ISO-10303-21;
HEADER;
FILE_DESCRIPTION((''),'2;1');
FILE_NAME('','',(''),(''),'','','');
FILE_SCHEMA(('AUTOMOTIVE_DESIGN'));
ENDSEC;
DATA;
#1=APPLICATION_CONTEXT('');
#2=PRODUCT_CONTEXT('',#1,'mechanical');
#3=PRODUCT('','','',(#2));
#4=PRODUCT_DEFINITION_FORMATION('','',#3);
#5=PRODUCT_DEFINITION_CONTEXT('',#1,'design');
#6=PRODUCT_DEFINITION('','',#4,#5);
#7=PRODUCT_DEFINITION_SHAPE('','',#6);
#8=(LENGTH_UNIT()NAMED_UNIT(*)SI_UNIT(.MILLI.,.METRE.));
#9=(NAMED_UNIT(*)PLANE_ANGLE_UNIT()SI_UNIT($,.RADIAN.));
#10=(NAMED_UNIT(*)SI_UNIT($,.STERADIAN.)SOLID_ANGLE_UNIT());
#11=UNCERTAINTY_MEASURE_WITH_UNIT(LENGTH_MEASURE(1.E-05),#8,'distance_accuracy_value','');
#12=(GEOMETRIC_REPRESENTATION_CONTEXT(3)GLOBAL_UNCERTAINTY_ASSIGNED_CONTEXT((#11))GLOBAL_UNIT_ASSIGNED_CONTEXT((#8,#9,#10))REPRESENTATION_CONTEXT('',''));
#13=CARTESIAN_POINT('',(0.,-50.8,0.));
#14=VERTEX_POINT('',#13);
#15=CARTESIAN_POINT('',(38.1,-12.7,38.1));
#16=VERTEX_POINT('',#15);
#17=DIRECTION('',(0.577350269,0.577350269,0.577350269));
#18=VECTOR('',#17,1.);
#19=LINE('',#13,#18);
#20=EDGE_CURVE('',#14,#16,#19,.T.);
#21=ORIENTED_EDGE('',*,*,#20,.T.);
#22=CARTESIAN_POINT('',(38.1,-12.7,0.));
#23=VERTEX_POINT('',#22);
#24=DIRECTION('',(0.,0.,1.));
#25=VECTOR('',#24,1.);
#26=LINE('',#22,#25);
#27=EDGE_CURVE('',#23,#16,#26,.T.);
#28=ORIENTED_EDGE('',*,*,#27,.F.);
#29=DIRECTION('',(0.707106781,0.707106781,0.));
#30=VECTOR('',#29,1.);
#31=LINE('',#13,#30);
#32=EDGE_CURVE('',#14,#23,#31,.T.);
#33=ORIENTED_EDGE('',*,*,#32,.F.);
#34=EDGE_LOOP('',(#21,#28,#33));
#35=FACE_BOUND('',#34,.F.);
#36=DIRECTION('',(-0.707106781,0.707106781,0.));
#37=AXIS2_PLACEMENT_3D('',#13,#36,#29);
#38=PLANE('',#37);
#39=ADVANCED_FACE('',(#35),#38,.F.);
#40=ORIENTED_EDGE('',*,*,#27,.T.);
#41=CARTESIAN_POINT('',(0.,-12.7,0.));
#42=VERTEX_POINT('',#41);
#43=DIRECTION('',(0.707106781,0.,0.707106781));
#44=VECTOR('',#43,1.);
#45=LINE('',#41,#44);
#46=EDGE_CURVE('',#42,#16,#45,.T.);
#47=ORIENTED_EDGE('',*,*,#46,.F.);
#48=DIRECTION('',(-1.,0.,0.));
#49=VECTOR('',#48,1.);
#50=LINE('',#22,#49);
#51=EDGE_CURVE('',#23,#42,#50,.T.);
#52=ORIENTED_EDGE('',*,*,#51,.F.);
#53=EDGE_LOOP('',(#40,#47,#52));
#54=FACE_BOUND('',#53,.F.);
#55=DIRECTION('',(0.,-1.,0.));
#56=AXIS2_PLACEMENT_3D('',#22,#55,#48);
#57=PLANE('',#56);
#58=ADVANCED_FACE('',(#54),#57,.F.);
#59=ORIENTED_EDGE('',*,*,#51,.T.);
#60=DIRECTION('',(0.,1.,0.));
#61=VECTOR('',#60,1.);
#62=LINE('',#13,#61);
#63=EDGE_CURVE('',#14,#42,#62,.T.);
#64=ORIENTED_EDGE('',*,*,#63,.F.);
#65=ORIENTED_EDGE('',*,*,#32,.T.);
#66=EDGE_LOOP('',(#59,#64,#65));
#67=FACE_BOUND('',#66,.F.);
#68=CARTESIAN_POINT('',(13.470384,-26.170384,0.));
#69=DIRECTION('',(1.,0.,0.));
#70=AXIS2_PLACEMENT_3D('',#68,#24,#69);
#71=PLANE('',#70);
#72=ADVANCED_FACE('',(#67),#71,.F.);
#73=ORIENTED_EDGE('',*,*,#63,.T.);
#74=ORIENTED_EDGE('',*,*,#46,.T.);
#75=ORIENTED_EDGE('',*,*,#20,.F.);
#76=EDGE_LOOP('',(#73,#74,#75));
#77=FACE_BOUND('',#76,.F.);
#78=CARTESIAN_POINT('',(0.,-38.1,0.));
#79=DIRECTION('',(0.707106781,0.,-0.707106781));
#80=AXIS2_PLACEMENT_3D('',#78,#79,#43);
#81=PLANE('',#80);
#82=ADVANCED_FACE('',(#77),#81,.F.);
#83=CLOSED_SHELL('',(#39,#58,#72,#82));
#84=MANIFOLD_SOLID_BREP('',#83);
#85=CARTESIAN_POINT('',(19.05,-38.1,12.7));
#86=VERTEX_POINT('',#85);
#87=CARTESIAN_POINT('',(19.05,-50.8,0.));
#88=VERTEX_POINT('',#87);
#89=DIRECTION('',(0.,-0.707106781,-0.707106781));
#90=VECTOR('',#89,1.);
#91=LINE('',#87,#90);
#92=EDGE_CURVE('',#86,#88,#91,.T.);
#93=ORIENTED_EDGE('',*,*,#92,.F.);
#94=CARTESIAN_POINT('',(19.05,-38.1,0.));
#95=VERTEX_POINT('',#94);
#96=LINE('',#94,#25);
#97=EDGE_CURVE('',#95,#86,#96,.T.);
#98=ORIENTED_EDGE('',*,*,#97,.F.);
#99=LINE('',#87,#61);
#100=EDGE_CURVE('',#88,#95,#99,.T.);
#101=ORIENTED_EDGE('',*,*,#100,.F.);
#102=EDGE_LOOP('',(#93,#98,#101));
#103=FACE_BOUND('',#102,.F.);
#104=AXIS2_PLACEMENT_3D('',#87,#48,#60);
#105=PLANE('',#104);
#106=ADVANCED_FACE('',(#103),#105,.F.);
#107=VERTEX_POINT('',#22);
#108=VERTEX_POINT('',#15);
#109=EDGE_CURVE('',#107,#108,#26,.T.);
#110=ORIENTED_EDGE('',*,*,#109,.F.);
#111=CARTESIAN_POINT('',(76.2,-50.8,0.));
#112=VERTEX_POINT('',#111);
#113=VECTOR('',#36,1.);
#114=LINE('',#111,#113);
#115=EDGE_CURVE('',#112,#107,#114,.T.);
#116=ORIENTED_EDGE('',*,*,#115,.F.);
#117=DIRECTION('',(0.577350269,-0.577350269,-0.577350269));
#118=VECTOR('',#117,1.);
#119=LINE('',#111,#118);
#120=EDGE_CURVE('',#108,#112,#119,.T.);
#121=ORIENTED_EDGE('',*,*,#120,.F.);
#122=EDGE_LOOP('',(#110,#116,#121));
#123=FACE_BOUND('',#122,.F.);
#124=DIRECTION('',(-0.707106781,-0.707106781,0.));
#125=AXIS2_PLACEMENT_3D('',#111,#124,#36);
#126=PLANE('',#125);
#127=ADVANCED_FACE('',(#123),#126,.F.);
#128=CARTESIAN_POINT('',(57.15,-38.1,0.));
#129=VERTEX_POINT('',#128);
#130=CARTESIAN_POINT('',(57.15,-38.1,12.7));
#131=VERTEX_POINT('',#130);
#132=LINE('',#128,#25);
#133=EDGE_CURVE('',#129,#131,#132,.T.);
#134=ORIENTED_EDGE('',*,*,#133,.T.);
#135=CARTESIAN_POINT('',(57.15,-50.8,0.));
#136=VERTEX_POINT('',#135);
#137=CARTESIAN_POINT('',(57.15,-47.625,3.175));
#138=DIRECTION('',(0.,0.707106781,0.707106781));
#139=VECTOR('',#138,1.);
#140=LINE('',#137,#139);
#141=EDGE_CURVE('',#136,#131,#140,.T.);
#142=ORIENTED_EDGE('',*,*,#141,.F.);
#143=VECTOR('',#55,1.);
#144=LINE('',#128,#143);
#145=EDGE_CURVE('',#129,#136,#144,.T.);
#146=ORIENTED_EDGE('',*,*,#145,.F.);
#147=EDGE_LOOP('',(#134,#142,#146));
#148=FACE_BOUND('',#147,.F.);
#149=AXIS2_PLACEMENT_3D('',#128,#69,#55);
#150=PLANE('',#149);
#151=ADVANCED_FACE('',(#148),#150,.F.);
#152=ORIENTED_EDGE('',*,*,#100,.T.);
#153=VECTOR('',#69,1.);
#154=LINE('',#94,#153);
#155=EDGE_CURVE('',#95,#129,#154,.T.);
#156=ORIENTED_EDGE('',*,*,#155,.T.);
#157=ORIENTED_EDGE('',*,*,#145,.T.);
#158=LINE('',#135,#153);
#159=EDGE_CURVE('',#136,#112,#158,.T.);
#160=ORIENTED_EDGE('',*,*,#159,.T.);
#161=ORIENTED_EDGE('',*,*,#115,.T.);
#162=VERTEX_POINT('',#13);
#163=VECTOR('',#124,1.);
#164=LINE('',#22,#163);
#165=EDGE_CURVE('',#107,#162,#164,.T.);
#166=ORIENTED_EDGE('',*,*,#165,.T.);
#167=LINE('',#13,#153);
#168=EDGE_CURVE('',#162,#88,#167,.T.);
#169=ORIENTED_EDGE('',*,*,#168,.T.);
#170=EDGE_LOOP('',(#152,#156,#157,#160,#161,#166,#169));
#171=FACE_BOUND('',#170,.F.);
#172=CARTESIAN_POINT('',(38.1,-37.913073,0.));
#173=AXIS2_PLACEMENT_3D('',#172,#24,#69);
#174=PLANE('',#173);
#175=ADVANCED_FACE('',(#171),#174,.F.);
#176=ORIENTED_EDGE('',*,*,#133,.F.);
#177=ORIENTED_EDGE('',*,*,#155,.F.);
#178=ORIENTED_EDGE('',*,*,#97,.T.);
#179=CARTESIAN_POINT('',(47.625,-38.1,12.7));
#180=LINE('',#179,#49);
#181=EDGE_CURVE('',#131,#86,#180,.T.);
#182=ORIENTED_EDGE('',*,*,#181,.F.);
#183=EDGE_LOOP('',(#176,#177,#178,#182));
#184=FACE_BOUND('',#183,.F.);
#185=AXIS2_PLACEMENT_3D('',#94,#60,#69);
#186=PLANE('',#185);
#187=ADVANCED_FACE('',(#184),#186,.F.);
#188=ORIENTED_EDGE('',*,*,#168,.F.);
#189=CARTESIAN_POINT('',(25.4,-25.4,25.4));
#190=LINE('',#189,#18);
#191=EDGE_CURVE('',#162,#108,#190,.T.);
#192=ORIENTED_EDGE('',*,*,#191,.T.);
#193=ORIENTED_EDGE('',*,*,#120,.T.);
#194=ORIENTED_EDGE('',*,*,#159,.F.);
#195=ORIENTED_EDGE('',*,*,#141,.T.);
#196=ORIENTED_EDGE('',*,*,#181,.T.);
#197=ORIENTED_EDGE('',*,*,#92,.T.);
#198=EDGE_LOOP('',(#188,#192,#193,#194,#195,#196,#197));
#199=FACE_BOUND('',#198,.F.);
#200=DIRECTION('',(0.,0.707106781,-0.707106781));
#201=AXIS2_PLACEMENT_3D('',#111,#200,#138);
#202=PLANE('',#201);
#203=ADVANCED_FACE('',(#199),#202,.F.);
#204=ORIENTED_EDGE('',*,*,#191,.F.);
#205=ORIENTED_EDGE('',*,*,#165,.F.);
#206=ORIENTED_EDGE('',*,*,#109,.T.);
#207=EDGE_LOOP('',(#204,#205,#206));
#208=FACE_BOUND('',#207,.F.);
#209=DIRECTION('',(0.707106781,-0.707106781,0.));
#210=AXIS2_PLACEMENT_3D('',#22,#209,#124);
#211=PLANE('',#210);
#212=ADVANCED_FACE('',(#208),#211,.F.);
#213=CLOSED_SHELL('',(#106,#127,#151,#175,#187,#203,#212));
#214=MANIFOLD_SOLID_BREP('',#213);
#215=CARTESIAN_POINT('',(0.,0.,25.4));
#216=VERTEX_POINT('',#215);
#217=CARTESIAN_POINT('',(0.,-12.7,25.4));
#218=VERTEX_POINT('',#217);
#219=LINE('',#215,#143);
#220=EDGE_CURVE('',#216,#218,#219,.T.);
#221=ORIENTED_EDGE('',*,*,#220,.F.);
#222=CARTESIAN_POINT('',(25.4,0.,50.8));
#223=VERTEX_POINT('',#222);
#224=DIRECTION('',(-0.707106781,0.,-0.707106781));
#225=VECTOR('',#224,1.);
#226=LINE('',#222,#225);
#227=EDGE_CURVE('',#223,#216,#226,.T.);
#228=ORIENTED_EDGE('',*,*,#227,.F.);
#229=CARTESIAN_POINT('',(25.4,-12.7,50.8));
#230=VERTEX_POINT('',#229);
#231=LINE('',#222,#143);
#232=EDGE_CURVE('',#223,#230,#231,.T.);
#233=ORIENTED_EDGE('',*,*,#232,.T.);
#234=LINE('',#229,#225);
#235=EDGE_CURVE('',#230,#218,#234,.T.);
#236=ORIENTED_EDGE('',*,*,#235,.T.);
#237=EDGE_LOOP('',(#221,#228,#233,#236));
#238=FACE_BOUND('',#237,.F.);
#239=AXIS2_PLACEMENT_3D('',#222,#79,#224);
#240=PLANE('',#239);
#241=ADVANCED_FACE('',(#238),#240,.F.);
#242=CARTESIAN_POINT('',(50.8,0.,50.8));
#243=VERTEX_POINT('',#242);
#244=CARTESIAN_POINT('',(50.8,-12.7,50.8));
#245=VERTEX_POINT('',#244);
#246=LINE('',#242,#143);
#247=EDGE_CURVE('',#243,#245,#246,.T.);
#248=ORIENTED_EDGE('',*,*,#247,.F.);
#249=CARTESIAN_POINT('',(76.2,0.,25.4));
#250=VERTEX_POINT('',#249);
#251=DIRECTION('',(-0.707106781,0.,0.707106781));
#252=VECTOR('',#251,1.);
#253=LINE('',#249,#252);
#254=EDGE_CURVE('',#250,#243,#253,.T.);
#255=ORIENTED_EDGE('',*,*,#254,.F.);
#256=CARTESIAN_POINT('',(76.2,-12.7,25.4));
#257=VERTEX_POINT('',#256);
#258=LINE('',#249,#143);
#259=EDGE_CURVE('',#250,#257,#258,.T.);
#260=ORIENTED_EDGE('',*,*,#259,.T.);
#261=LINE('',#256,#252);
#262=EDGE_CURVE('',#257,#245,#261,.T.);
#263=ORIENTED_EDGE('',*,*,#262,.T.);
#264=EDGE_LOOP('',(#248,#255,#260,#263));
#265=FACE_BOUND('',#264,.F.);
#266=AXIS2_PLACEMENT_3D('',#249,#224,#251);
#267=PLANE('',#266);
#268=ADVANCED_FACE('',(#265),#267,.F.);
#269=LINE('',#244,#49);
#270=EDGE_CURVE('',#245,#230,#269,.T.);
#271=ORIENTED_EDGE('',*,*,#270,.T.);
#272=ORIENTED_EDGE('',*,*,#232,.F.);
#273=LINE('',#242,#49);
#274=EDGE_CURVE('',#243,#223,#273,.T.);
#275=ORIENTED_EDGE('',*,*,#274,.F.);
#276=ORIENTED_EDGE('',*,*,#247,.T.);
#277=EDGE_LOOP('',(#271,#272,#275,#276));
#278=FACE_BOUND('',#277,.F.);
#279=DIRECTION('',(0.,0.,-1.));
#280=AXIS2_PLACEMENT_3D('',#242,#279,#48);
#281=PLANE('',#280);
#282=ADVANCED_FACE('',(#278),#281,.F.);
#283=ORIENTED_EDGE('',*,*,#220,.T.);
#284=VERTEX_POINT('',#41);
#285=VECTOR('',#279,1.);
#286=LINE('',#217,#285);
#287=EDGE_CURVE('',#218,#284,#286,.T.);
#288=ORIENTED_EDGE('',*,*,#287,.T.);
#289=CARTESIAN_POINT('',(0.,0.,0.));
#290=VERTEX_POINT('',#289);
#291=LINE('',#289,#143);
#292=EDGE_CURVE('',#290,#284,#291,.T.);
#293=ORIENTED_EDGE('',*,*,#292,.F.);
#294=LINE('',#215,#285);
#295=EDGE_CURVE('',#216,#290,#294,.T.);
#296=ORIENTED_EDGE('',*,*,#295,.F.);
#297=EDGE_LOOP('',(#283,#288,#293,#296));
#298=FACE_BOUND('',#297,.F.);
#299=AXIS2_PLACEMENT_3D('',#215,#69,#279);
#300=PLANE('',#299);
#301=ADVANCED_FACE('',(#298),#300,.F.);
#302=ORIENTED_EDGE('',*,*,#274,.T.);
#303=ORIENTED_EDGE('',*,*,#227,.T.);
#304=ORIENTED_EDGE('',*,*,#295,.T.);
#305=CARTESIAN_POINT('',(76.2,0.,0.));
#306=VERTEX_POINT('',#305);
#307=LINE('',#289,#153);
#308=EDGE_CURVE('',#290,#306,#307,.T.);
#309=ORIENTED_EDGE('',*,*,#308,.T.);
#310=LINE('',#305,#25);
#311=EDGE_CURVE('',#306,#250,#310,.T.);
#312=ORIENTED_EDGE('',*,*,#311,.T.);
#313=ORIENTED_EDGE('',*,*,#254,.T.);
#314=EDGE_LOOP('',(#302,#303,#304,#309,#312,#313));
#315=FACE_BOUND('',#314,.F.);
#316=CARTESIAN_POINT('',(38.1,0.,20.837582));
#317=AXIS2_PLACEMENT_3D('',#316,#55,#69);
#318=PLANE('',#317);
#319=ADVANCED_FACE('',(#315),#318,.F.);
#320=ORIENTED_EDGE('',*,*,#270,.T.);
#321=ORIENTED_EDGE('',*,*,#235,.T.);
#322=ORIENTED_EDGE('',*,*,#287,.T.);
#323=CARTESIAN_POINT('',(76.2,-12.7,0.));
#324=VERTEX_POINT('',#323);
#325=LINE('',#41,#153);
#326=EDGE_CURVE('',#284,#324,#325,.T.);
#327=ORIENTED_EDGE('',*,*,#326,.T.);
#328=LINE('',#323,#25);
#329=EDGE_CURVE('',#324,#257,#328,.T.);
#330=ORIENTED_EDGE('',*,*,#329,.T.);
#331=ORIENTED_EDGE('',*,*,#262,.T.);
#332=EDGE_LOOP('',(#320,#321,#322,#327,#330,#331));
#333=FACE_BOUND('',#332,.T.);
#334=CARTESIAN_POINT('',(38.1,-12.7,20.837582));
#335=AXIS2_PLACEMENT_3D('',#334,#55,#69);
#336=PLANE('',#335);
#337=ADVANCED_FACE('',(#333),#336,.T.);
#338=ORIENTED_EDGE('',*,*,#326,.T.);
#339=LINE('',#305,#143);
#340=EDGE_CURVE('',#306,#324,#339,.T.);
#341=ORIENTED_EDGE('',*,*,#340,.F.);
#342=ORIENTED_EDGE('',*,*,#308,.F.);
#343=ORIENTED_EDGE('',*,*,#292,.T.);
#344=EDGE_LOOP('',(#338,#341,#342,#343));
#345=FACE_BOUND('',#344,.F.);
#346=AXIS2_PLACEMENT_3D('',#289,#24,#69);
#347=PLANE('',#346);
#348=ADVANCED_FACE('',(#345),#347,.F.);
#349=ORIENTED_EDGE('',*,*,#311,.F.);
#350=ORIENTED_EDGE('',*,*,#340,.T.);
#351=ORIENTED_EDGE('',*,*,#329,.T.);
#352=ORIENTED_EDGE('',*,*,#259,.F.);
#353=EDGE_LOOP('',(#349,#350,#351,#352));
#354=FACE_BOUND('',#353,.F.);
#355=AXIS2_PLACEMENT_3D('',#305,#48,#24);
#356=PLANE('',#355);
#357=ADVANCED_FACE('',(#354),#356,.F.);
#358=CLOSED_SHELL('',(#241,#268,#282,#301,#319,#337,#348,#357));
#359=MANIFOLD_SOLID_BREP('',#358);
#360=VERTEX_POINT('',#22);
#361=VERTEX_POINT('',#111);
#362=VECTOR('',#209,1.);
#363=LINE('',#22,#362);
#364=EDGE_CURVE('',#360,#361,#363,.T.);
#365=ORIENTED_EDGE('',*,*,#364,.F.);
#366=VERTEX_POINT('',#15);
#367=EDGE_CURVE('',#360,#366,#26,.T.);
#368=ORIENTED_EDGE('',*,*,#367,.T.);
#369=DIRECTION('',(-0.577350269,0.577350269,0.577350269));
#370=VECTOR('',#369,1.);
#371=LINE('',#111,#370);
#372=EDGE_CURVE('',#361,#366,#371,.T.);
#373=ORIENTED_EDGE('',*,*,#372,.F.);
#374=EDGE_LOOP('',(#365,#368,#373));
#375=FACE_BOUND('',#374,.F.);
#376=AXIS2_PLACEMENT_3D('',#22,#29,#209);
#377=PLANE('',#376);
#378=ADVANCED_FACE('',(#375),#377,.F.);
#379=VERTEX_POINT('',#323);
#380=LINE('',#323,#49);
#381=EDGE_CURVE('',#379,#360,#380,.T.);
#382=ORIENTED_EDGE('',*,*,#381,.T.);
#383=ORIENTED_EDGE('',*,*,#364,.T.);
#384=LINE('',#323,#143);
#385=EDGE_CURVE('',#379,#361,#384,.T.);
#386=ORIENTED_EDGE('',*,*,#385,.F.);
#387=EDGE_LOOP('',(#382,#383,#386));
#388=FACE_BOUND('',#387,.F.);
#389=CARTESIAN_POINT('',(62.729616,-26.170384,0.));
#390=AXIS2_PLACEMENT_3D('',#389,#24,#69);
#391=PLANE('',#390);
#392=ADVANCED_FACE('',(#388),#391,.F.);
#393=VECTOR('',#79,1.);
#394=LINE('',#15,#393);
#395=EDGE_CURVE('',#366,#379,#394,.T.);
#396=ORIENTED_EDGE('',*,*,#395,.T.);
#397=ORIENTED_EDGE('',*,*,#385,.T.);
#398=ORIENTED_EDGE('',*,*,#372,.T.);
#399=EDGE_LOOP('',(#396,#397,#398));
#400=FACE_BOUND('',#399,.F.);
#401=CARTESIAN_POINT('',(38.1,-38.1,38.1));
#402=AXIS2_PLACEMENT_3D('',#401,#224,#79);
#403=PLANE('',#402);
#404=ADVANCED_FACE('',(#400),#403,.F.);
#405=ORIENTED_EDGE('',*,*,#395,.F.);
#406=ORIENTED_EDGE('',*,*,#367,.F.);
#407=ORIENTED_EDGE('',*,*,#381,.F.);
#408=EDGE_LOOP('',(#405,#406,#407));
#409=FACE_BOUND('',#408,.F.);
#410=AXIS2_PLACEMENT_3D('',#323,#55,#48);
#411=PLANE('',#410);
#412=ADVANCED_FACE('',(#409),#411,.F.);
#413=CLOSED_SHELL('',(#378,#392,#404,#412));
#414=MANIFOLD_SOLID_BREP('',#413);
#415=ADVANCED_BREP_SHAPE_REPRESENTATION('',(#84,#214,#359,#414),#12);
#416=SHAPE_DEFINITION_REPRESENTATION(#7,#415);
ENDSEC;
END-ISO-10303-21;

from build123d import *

# Parameters (mm, degrees)
F1_DEPTH       = 12.7
F3_DEPTH       = 38.1
F5_DEPTH       = 76.201
F7_DEPTH       = 38.1
F9_DEPTH       = 25.4
F9_DEPTH_BACK  = 25.4
F10_DEPTH      = 25.4
F10_DEPTH_BACK = 25.4


with BuildPart() as f1:
    # F0 (on Front) → F1 (new body)
    with BuildSketch(Plane.XZ):
        Polygon((0, 25.4), (0, 0), (76.2, 0), (76.2, 25.4), (50.8, 50.8), (25.4, 50.8), align=None)
    extrude(amount=F1_DEPTH)


with BuildPart() as f3:
    # F2 (on Top) → F3 (new body)
    with BuildSketch(Plane.XY):
        Polygon((38.1, -12.7), (0, -50.8), (19.05, -50.8), (19.05, -38.1), (57.15, -38.1), (57.15, -50.8), (76.2, -50.8), align=None)
    extrude(amount=F3_DEPTH)

    # F4 (on face) → F5 (cut, through all)
    with BuildSketch(Plane.YZ.offset(76.2)):
        Polygon((-50.8, 38.1), (-50.8, 0), (-12.7, 38.1), align=None)
    extrude(amount=-F5_DEPTH, mode=Mode.SUBTRACT)


with BuildPart() as f7:
    # F6 (on Top) → F7 (new body)
    with BuildSketch(Plane.XY):
        Polygon((38.1, -12.7), (0, -12.7), (0, -50.8), align=None)
    extrude(amount=F7_DEPTH)

    # F8 (on face) → F9 (cut, two sides)
    with BuildSketch(Plane.XZ.offset(38.1)) as f9_sk:
        Polygon((0, 0), (38.1, 38.1), (0, 38.1), align=None)
    extrude(amount=-F9_DEPTH, mode=Mode.SUBTRACT)
    extrude(f9_sk.sketch, amount=F9_DEPTH_BACK, mode=Mode.SUBTRACT)


with BuildPart() as f7b:
    # F6 (on Top) → F7, piece 2 (new body)
    with BuildSketch(Plane.XY):
        Polygon((76.2, -12.7), (38.1, -12.7), (76.2, -50.8), align=None)
    extrude(amount=F7_DEPTH)

    # F8 (on face) → F10 (cut, two sides)
    with BuildSketch(Plane.XZ.offset(38.1)) as f10_sk:
        Polygon((76.2, 38.1), (38.1, 38.1), (76.2, 0), align=None)
    extrude(amount=-F10_DEPTH, mode=Mode.SUBTRACT)
    extrude(f10_sk.sketch, amount=F10_DEPTH_BACK, mode=Mode.SUBTRACT)


solid = Compound([f1.part, f3.part, f7.part, f7b.part])
